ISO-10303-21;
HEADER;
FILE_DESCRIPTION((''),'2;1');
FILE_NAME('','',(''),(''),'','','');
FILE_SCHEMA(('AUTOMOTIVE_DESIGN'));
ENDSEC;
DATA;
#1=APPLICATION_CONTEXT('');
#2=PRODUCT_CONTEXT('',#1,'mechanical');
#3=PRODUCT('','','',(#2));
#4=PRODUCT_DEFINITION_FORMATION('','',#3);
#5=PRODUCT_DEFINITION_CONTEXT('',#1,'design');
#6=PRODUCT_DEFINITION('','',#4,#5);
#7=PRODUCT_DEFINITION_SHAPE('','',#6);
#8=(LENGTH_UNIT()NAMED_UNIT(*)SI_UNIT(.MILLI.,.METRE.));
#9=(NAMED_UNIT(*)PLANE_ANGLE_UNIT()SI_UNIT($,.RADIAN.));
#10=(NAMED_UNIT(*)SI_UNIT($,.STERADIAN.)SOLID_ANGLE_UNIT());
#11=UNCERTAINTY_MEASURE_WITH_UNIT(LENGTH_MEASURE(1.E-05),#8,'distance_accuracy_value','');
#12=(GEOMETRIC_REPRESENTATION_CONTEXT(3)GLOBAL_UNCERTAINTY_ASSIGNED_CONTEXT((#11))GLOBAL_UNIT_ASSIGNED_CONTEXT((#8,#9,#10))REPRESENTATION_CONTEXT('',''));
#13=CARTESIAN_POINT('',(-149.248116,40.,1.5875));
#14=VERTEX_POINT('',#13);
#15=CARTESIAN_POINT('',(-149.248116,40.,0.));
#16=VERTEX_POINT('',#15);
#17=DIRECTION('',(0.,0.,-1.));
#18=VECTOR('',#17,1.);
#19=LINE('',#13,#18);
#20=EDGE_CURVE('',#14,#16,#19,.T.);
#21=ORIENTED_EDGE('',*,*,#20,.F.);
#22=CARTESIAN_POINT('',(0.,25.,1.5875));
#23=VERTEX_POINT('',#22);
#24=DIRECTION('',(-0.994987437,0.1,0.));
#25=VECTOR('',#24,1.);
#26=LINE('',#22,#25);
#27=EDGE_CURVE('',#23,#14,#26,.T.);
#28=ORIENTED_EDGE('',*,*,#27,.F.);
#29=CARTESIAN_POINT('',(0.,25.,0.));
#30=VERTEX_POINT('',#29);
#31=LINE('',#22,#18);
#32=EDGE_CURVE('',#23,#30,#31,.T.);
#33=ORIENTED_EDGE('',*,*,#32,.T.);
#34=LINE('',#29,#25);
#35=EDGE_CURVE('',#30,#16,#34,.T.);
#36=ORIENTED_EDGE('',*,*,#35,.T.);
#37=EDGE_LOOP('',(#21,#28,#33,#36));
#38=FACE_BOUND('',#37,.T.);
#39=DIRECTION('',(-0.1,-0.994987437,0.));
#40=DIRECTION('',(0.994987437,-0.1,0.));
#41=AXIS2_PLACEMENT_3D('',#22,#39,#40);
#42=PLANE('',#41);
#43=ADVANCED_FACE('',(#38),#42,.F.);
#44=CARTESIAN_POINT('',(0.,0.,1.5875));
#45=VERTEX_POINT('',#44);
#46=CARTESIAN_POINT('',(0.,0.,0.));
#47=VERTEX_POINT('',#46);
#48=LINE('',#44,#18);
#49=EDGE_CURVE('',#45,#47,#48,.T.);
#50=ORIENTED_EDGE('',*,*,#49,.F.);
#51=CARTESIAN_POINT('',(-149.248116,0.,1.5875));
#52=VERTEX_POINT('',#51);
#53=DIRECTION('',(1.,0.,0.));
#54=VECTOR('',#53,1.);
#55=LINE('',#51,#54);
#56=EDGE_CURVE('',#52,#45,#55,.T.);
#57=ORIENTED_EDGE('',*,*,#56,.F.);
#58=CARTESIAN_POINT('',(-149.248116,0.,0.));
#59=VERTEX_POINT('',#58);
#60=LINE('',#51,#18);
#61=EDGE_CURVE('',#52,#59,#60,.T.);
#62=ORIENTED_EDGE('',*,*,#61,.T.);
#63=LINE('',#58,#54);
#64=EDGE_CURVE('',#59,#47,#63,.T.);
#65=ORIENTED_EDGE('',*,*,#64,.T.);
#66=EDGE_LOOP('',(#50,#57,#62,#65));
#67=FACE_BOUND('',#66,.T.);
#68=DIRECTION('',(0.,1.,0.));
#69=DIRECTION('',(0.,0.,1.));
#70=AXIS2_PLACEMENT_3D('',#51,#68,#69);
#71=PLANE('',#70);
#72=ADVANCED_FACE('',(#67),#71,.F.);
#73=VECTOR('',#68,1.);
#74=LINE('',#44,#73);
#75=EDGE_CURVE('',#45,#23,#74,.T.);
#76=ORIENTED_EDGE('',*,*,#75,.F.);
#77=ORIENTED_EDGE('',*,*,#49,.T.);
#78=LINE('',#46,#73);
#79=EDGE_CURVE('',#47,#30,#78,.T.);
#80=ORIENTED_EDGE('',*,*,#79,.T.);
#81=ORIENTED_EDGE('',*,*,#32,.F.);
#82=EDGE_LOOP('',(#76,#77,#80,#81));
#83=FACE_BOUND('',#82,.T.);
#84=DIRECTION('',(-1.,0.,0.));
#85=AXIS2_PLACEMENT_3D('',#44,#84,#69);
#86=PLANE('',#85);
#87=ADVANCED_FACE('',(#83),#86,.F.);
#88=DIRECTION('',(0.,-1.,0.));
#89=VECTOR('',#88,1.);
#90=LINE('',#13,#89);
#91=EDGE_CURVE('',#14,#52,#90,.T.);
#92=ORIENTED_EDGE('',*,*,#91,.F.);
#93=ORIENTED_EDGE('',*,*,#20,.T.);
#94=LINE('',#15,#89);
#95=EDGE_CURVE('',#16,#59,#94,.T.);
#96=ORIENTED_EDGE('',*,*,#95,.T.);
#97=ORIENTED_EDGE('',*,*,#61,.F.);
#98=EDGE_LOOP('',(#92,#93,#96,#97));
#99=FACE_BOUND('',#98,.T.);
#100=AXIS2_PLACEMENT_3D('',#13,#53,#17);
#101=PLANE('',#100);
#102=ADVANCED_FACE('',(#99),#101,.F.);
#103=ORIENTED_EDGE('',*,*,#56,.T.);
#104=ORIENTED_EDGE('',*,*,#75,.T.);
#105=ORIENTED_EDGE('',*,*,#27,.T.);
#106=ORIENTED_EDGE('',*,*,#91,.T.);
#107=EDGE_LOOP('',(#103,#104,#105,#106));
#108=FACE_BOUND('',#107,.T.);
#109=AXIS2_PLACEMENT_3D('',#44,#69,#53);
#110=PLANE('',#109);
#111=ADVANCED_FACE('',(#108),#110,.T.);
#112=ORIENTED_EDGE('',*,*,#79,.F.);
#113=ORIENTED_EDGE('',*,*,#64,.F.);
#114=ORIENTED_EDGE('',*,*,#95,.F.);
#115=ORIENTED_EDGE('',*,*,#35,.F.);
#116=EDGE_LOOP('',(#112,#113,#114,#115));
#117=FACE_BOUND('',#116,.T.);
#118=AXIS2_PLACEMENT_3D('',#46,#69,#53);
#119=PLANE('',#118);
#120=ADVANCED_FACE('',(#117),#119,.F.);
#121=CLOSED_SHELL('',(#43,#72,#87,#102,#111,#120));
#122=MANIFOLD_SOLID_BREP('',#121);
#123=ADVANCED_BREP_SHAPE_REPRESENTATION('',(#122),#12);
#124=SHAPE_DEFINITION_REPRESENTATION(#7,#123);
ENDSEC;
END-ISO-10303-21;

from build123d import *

# Parameters (mm, degrees)
BOSS_EXTRU_1_DEPTH = 1.5875


with BuildPart() as part:
    # Esquisse1 → Boss.-Extru.1 (new body)
    with BuildSketch(Plane.XY):
        Polygon((-149.248115566, 40), (-149.248115566, 0), (0, 0), (0, 25), align=None)
    extrude(amount=BOSS_EXTRU_1_DEPTH)


solid = part.part
